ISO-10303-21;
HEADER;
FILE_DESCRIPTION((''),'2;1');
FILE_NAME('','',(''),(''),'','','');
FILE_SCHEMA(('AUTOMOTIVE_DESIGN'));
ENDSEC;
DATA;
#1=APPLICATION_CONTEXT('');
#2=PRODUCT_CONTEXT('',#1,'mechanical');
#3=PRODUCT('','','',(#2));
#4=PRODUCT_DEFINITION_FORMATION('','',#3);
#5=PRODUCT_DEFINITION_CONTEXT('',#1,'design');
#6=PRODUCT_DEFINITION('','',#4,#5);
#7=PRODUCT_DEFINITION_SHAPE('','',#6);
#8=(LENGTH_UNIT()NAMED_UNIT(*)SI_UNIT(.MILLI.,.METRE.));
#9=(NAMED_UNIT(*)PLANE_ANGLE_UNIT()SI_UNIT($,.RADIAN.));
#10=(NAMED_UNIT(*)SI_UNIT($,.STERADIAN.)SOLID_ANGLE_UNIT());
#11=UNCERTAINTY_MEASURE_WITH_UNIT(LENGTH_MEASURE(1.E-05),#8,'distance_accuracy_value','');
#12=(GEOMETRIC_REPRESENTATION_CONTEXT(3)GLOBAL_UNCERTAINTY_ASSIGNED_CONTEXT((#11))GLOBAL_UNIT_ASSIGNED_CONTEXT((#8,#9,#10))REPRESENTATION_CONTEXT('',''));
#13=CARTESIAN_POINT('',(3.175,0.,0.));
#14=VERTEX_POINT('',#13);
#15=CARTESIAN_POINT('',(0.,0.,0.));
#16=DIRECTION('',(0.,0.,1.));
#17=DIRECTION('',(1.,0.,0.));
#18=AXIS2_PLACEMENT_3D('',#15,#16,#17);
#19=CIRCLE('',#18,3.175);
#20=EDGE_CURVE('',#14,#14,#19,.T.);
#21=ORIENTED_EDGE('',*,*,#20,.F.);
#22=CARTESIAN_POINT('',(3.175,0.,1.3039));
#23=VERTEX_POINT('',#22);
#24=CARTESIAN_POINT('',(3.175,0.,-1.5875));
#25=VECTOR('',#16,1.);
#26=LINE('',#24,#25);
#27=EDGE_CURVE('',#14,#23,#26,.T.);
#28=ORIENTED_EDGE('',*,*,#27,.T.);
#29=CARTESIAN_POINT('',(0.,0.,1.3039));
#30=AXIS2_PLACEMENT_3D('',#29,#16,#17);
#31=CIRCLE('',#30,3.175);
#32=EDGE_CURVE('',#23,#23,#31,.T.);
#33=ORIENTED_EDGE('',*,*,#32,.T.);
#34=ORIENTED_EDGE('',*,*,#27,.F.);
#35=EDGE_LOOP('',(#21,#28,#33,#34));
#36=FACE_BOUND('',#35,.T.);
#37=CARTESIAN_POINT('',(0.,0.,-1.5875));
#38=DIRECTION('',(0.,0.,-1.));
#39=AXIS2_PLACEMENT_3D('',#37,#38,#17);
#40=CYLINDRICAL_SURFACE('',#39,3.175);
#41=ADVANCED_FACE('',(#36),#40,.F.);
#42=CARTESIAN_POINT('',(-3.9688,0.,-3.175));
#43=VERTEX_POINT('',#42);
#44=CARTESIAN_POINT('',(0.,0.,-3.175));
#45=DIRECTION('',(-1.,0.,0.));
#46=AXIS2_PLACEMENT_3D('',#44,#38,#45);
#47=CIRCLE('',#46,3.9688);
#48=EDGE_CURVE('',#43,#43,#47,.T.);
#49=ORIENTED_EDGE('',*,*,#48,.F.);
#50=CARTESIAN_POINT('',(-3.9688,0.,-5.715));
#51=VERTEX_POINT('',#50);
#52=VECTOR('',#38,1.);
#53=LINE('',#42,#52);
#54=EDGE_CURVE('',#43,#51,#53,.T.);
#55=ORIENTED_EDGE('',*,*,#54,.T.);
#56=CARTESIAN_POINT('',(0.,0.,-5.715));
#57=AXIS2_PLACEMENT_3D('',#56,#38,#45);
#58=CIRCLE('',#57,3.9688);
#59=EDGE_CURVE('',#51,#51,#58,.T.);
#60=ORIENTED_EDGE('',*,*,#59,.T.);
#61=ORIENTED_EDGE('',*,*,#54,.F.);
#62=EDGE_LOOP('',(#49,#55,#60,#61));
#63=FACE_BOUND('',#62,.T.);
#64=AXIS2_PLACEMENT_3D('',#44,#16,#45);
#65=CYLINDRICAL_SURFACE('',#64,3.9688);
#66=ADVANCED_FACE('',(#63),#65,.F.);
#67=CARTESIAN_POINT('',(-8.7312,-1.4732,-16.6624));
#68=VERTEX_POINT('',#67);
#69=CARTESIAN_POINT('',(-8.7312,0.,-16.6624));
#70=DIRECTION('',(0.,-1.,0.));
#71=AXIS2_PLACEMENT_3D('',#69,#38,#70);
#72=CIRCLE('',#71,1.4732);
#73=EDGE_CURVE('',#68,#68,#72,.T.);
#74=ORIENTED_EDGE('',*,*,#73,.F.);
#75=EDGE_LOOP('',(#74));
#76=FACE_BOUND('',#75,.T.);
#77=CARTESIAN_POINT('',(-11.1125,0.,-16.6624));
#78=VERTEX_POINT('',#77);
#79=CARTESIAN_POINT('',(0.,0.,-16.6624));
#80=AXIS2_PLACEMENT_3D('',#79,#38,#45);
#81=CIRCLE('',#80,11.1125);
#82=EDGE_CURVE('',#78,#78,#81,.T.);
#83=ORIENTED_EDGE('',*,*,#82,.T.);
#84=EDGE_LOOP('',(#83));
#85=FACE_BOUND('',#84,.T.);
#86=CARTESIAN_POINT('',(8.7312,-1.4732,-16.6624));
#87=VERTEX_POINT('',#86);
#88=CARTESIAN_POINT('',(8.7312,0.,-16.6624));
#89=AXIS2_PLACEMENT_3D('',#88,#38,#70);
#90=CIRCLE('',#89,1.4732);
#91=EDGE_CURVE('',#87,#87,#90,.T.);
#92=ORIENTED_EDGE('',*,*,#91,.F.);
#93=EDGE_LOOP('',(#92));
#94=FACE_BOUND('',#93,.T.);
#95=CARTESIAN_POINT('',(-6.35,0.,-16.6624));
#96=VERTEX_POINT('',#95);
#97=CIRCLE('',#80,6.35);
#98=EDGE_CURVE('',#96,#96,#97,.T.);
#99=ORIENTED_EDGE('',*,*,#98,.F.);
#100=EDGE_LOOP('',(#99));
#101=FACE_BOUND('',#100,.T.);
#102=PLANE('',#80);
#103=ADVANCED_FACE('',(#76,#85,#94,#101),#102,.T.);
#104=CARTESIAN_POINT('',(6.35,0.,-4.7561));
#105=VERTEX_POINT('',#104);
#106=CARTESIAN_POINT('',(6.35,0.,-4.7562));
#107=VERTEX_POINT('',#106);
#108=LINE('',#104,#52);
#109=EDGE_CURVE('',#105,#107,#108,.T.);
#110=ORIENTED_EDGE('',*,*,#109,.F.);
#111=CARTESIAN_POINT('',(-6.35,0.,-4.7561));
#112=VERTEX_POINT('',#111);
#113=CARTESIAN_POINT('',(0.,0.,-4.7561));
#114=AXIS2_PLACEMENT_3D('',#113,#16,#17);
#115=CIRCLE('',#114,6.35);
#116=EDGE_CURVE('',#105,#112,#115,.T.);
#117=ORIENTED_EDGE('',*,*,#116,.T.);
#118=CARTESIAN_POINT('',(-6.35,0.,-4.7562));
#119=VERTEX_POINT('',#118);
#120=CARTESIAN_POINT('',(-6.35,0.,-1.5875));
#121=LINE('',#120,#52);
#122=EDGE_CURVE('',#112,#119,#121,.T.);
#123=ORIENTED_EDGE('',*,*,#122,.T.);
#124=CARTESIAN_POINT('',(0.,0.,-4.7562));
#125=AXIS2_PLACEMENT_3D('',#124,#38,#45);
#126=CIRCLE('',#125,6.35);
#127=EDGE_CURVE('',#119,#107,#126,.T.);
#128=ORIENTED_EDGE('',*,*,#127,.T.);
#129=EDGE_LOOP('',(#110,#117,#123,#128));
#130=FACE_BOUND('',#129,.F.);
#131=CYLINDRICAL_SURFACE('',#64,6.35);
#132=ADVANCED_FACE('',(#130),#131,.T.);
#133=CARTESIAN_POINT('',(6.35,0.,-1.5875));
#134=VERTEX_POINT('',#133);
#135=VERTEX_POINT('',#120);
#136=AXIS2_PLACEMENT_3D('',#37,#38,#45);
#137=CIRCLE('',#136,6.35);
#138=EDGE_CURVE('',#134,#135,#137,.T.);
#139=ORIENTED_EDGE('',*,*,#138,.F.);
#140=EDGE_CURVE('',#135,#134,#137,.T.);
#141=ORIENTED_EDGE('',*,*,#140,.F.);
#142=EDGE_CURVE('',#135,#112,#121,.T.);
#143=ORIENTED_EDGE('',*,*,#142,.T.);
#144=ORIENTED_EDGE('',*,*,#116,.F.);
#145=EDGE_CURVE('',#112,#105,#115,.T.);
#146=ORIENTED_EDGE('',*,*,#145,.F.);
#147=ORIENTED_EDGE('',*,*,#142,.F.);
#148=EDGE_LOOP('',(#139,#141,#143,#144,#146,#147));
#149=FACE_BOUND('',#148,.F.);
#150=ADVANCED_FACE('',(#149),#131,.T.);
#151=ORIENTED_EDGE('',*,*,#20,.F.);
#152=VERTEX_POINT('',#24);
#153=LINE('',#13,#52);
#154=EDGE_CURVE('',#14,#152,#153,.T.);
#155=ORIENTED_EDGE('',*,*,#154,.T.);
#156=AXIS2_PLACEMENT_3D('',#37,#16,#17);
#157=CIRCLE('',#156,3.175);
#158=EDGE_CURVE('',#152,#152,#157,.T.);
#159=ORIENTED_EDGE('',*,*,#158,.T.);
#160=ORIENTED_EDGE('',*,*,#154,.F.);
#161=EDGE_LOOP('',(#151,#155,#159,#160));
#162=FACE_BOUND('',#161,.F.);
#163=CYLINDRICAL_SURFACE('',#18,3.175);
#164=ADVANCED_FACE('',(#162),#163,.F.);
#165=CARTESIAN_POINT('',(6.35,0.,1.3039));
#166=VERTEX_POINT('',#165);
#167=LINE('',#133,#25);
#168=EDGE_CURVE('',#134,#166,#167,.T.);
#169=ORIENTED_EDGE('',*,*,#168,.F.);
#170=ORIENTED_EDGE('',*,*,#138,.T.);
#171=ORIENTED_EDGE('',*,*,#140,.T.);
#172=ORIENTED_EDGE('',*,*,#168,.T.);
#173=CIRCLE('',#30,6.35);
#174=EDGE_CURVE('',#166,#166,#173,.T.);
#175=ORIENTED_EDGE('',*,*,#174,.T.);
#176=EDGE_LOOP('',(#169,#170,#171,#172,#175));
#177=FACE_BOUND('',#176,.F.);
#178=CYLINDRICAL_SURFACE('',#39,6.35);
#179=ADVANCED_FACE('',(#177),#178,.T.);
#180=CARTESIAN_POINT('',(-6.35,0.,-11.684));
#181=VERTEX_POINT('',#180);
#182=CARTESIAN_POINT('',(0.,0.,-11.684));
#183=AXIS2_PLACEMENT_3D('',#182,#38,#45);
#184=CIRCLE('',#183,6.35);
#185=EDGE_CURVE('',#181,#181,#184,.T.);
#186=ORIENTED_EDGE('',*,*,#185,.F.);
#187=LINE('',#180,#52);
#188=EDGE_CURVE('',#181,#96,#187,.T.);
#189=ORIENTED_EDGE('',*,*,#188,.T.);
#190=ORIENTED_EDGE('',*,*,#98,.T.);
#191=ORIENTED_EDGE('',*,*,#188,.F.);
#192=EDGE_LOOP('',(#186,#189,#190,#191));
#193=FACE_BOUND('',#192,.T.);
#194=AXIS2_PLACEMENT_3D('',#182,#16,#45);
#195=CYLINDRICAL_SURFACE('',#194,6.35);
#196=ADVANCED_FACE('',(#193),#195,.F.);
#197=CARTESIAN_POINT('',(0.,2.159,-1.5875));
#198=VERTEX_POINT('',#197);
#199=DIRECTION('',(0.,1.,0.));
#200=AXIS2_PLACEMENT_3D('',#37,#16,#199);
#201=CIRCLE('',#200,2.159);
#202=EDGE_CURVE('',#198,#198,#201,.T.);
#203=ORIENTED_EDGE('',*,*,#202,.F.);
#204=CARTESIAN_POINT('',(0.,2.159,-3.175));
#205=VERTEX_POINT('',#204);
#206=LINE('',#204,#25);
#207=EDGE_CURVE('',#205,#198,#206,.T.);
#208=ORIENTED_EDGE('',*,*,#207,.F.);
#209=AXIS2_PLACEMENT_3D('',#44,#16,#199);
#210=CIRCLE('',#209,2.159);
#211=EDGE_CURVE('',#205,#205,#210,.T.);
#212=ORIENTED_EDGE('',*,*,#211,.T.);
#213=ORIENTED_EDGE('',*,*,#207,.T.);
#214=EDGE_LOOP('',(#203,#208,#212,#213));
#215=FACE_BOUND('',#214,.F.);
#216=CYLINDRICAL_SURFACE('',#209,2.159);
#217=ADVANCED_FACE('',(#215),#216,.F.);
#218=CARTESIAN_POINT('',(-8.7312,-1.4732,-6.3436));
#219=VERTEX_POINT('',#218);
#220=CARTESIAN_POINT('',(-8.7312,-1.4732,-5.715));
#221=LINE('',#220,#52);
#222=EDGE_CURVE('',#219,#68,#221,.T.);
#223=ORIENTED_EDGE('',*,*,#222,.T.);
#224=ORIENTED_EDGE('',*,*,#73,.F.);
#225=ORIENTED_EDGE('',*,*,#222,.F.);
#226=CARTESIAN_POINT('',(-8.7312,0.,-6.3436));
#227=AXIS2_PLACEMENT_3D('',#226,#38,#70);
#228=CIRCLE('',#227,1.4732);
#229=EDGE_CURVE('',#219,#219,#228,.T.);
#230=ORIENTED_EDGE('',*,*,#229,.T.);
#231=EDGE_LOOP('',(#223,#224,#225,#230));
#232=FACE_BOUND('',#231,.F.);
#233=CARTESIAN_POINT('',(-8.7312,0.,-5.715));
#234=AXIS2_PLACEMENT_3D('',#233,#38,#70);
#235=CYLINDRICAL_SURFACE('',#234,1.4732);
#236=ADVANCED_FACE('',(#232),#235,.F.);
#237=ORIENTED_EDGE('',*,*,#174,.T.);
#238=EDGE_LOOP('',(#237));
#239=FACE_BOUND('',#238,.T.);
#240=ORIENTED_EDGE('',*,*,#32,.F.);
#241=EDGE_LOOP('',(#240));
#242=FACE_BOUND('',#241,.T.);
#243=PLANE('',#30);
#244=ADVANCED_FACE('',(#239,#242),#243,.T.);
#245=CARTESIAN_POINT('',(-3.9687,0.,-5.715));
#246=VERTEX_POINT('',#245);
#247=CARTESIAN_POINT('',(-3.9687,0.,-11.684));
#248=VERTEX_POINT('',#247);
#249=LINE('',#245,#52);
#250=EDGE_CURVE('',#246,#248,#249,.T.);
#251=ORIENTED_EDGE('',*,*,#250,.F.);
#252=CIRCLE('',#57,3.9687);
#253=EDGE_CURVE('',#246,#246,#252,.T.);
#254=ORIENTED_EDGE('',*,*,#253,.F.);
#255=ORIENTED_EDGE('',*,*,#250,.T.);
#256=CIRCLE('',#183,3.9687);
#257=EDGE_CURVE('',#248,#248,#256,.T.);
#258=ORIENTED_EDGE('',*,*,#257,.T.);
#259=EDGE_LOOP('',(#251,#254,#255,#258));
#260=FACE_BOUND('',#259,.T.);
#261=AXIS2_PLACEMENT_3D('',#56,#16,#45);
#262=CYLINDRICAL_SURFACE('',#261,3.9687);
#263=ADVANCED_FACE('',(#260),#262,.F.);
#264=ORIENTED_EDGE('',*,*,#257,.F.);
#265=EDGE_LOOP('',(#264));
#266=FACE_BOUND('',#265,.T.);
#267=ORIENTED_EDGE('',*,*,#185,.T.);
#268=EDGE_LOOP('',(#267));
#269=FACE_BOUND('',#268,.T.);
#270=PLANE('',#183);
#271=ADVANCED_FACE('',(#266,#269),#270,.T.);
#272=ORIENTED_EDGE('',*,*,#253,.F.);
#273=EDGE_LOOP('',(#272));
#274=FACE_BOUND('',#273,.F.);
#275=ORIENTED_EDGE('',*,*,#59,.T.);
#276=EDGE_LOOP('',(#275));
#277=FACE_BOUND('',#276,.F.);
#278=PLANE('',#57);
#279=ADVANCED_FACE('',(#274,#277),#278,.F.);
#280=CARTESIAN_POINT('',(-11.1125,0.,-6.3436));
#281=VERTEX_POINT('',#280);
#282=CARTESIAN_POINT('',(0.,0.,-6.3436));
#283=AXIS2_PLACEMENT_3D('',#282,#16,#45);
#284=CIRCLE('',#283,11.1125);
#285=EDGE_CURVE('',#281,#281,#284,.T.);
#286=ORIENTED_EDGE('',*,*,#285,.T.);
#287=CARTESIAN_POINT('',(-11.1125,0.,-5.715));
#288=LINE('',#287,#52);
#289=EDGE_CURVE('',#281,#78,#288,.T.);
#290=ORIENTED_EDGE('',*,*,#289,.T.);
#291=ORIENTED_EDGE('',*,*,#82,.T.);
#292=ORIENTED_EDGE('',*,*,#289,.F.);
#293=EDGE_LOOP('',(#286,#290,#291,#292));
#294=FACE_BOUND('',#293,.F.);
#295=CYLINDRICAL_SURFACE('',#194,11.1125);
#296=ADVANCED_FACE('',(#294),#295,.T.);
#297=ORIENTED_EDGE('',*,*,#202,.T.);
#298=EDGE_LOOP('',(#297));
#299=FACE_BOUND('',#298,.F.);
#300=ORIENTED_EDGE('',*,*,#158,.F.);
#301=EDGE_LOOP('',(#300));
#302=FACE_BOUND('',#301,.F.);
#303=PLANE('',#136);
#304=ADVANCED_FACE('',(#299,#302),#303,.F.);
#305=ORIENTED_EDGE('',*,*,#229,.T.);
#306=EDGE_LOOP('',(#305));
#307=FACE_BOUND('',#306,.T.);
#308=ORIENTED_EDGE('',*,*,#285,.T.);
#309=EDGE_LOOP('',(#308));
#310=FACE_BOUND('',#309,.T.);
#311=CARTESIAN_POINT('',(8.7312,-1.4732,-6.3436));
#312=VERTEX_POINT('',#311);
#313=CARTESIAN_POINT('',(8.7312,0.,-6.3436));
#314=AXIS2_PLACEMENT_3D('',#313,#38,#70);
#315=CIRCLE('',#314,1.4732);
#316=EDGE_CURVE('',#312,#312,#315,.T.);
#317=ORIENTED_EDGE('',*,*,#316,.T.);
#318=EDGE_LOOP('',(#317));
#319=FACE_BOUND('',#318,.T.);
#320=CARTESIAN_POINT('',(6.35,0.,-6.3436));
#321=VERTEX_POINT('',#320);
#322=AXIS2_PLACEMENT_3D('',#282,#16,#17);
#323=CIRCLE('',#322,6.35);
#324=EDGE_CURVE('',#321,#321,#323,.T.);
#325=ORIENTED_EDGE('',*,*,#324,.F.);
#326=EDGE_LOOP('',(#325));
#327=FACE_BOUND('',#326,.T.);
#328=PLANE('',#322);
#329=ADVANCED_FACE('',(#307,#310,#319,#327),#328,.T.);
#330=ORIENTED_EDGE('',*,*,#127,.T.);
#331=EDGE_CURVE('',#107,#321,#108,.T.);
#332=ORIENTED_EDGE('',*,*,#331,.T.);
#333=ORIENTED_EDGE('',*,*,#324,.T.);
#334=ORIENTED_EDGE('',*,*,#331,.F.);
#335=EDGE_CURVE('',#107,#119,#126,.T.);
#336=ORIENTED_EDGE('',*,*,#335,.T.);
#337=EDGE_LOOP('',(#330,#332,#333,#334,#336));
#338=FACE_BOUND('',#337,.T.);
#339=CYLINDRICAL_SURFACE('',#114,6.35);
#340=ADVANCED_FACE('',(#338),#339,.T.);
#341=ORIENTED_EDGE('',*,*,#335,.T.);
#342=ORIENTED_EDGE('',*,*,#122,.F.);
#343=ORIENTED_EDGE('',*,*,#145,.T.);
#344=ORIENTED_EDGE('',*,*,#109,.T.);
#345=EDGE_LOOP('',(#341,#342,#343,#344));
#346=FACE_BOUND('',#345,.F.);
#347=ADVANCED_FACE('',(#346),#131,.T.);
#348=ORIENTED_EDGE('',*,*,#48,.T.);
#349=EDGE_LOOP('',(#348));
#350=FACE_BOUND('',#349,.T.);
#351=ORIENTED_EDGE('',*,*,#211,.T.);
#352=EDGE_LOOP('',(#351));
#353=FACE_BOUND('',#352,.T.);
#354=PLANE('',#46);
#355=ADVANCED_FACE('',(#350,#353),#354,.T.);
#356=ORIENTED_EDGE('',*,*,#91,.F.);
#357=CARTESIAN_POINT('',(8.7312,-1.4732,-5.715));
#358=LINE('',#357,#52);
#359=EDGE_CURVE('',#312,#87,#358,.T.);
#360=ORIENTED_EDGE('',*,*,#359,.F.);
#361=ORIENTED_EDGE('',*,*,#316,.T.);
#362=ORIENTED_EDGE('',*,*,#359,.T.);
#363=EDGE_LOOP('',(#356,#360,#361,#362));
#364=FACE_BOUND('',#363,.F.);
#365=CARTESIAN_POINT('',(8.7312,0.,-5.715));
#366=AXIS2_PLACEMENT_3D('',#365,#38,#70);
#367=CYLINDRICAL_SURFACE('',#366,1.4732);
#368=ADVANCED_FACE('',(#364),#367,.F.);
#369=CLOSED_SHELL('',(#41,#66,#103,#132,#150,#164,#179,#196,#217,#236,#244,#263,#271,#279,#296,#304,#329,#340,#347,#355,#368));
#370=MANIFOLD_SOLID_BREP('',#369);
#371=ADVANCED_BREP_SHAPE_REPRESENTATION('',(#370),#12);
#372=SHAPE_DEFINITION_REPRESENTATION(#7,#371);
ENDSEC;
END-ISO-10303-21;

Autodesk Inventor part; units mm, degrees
ref_plane "YZ Plane" through (0, 0, 0) normal (1, 0, 0) x (0, 1, 0)
ref_plane "XZ Plane" through (0, 0, 0) normal (0, 1, 0) x (-1, 0, 0)
ref_plane "XY Plane" through (0, 0, 0) normal (0, 0, 1) x (1, 0, 0)
sketch "Sketch1" plane through (0, 0, 0) normal (0, 0, 1) x (1, 0, 0)
  circle A0 centre (0, 0) radius 4.7625
  circle A1 centre (0, 0) radius 3.175
  dimension "d0" = 6.35
  dimension "d2" = 9.525
extrude "Extrusion1" add sketch "Sketch1" against normal blind 1.5875
sketch "Sketch2" plane through (0, 0, -1.5875) normal (0, 0, -1) x (-1, 0, 0)
  circle A0 centre (0, 0) radius 4.7625 projected
  circle A1 centre (0, 0) radius 6.35
  dimension "d5" = 12.7
extrude "Extrusion2" add sketch "Sketch2" along normal blind 1.5875 contours A0 | A1
sketch "Sketch3" plane through (0, 0, -3.175) normal (0, 0, -1) x (-1, 0, 0)
  circle A0 centre (0, 0) radius 6.35 projected
  circle A1 centre (0, 0) radius 3.9688
  dimension "d9" = 7.9375
extrude "Extrusion3" add sketch "Sketch3" along normal blind 2.54
hole "Hole1" at (0, 0, -3.175) direction (0, 0, 1) diameter 4.318 depth 25.4 tip angle 118 clearance for "Flat Head Machine Screw (82)" size "#8" standard "Ansi Unified Screw Threads"
sketch "Sketch4" plane through (0, 0, -5.715) normal (0, 0, -1) x (-1, 0, 0)
  circle A0 centre (0, 0) radius 3.9687 projected
  circle A1 centre (0, 0) radius 6.35 projected
  circle A2 centre (0, 0) radius 11.1125
  dimension "d21" = 22.225
extrude "Extrusion4" add sketch "Sketch4" along normal blind 5.969 contours A1 | A2
sketch "Sketch5" plane through (0, 0, -11.684) normal (0, 0, -1) x (-1, 0, 0)
  circle A0 centre (0, 0) radius 11.1125 projected
  circle A1 centre (0, 0) radius 6.35
  dimension "d25" = 12.7
extrude "Extrusion5" add sketch "Sketch5" along normal blind 4.9784
sketch "Sketch9" plane through (0, 0, -5.715) normal (0, 0, 1) x (1, 0, 0)
  circle A0 centre (0, 0) radius 11.1125 projected
  circle A1 centre (0, 0) radius 6.35 projected
  line L0 (-8.7312, 0) -> (0, 0) construction
  line L1 (0, 0) -> (8.7312, 0) construction
  circle A2 centre (0, 0) radius 8.7312 construction
  dimension "d53" = 2.3813
  dimension "d54" = 2.3813
hole "Hole4" at (-8.7312, 0, -5.715) at (8.7312, 0, -5.715) direction (0, 0, -1) diameter 2.9464 end through all clearance for "Socket Head Cap Screw" size "#4" standard "Ansi Unified Screw Threads"
sketch "Sketch10" plane through (0, 0, -5.715) normal (0, 0, 1) x (1, 0, 0)
  circle A0 centre (-8.7312, 0) radius 1.4732 projected
  circle A1 centre (8.7312, 0) radius 1.4732 projected
  circle A2 centre (0, 0) radius 11.1125 projected
  circle A3 centre (0, 0) radius 6.35 projected
extrude "Extrusion6" add sketch "Sketch10" along normal blind 0.9588
sketch "Sketch11" plane through (0, 0, -1.5875) normal (0, 0, 1) x (1, 0, 0)
  circle A0 centre (0, 0) radius 6.35 projected
  circle A1 centre (0, 0) radius 3.175 projected
extrude "Extrusion7" add sketch "Sketch11" along normal blind 2.8914
sketch "Sketch12" plane through (0, 0, -4.7561) normal (0, 0, 1) x (1, 0, 0)
  circle A0 centre (0, 0) radius 6.35 projected
  circle A1 centre (8.7312, 0) radius 1.4732 projected
  circle A2 centre (-8.7312, 0) radius 1.4732 projected
  circle A3 centre (0, 0) radius 11.1125 projected
extrude "Extrusion8" cut sketch "Sketch12" against normal blind 1.5875
equation "\"d53\" = d54"
equation "\"BendRadius\" = Thickness"
equation "\"BendReliefWidth\" = Thickness"
equation "\"BendReliefDepth\" = 0.5 * Thickness"
equation "\"CornerReliefSize\" = 4 * Thickness"
equation "\"MinimumRemnant\" = 2 * Thickness"
equation "\"TransitionRadius\" = BendRadius"
equation "\"JacobiRadiusSize\" = Thickness"
equation "\"GapSize\" = Thickness"
equation "\"Thickness\" = 3.048"
properties part number "Pneumatic Connector - Bearing Hold" material "Aluminum 6061"
